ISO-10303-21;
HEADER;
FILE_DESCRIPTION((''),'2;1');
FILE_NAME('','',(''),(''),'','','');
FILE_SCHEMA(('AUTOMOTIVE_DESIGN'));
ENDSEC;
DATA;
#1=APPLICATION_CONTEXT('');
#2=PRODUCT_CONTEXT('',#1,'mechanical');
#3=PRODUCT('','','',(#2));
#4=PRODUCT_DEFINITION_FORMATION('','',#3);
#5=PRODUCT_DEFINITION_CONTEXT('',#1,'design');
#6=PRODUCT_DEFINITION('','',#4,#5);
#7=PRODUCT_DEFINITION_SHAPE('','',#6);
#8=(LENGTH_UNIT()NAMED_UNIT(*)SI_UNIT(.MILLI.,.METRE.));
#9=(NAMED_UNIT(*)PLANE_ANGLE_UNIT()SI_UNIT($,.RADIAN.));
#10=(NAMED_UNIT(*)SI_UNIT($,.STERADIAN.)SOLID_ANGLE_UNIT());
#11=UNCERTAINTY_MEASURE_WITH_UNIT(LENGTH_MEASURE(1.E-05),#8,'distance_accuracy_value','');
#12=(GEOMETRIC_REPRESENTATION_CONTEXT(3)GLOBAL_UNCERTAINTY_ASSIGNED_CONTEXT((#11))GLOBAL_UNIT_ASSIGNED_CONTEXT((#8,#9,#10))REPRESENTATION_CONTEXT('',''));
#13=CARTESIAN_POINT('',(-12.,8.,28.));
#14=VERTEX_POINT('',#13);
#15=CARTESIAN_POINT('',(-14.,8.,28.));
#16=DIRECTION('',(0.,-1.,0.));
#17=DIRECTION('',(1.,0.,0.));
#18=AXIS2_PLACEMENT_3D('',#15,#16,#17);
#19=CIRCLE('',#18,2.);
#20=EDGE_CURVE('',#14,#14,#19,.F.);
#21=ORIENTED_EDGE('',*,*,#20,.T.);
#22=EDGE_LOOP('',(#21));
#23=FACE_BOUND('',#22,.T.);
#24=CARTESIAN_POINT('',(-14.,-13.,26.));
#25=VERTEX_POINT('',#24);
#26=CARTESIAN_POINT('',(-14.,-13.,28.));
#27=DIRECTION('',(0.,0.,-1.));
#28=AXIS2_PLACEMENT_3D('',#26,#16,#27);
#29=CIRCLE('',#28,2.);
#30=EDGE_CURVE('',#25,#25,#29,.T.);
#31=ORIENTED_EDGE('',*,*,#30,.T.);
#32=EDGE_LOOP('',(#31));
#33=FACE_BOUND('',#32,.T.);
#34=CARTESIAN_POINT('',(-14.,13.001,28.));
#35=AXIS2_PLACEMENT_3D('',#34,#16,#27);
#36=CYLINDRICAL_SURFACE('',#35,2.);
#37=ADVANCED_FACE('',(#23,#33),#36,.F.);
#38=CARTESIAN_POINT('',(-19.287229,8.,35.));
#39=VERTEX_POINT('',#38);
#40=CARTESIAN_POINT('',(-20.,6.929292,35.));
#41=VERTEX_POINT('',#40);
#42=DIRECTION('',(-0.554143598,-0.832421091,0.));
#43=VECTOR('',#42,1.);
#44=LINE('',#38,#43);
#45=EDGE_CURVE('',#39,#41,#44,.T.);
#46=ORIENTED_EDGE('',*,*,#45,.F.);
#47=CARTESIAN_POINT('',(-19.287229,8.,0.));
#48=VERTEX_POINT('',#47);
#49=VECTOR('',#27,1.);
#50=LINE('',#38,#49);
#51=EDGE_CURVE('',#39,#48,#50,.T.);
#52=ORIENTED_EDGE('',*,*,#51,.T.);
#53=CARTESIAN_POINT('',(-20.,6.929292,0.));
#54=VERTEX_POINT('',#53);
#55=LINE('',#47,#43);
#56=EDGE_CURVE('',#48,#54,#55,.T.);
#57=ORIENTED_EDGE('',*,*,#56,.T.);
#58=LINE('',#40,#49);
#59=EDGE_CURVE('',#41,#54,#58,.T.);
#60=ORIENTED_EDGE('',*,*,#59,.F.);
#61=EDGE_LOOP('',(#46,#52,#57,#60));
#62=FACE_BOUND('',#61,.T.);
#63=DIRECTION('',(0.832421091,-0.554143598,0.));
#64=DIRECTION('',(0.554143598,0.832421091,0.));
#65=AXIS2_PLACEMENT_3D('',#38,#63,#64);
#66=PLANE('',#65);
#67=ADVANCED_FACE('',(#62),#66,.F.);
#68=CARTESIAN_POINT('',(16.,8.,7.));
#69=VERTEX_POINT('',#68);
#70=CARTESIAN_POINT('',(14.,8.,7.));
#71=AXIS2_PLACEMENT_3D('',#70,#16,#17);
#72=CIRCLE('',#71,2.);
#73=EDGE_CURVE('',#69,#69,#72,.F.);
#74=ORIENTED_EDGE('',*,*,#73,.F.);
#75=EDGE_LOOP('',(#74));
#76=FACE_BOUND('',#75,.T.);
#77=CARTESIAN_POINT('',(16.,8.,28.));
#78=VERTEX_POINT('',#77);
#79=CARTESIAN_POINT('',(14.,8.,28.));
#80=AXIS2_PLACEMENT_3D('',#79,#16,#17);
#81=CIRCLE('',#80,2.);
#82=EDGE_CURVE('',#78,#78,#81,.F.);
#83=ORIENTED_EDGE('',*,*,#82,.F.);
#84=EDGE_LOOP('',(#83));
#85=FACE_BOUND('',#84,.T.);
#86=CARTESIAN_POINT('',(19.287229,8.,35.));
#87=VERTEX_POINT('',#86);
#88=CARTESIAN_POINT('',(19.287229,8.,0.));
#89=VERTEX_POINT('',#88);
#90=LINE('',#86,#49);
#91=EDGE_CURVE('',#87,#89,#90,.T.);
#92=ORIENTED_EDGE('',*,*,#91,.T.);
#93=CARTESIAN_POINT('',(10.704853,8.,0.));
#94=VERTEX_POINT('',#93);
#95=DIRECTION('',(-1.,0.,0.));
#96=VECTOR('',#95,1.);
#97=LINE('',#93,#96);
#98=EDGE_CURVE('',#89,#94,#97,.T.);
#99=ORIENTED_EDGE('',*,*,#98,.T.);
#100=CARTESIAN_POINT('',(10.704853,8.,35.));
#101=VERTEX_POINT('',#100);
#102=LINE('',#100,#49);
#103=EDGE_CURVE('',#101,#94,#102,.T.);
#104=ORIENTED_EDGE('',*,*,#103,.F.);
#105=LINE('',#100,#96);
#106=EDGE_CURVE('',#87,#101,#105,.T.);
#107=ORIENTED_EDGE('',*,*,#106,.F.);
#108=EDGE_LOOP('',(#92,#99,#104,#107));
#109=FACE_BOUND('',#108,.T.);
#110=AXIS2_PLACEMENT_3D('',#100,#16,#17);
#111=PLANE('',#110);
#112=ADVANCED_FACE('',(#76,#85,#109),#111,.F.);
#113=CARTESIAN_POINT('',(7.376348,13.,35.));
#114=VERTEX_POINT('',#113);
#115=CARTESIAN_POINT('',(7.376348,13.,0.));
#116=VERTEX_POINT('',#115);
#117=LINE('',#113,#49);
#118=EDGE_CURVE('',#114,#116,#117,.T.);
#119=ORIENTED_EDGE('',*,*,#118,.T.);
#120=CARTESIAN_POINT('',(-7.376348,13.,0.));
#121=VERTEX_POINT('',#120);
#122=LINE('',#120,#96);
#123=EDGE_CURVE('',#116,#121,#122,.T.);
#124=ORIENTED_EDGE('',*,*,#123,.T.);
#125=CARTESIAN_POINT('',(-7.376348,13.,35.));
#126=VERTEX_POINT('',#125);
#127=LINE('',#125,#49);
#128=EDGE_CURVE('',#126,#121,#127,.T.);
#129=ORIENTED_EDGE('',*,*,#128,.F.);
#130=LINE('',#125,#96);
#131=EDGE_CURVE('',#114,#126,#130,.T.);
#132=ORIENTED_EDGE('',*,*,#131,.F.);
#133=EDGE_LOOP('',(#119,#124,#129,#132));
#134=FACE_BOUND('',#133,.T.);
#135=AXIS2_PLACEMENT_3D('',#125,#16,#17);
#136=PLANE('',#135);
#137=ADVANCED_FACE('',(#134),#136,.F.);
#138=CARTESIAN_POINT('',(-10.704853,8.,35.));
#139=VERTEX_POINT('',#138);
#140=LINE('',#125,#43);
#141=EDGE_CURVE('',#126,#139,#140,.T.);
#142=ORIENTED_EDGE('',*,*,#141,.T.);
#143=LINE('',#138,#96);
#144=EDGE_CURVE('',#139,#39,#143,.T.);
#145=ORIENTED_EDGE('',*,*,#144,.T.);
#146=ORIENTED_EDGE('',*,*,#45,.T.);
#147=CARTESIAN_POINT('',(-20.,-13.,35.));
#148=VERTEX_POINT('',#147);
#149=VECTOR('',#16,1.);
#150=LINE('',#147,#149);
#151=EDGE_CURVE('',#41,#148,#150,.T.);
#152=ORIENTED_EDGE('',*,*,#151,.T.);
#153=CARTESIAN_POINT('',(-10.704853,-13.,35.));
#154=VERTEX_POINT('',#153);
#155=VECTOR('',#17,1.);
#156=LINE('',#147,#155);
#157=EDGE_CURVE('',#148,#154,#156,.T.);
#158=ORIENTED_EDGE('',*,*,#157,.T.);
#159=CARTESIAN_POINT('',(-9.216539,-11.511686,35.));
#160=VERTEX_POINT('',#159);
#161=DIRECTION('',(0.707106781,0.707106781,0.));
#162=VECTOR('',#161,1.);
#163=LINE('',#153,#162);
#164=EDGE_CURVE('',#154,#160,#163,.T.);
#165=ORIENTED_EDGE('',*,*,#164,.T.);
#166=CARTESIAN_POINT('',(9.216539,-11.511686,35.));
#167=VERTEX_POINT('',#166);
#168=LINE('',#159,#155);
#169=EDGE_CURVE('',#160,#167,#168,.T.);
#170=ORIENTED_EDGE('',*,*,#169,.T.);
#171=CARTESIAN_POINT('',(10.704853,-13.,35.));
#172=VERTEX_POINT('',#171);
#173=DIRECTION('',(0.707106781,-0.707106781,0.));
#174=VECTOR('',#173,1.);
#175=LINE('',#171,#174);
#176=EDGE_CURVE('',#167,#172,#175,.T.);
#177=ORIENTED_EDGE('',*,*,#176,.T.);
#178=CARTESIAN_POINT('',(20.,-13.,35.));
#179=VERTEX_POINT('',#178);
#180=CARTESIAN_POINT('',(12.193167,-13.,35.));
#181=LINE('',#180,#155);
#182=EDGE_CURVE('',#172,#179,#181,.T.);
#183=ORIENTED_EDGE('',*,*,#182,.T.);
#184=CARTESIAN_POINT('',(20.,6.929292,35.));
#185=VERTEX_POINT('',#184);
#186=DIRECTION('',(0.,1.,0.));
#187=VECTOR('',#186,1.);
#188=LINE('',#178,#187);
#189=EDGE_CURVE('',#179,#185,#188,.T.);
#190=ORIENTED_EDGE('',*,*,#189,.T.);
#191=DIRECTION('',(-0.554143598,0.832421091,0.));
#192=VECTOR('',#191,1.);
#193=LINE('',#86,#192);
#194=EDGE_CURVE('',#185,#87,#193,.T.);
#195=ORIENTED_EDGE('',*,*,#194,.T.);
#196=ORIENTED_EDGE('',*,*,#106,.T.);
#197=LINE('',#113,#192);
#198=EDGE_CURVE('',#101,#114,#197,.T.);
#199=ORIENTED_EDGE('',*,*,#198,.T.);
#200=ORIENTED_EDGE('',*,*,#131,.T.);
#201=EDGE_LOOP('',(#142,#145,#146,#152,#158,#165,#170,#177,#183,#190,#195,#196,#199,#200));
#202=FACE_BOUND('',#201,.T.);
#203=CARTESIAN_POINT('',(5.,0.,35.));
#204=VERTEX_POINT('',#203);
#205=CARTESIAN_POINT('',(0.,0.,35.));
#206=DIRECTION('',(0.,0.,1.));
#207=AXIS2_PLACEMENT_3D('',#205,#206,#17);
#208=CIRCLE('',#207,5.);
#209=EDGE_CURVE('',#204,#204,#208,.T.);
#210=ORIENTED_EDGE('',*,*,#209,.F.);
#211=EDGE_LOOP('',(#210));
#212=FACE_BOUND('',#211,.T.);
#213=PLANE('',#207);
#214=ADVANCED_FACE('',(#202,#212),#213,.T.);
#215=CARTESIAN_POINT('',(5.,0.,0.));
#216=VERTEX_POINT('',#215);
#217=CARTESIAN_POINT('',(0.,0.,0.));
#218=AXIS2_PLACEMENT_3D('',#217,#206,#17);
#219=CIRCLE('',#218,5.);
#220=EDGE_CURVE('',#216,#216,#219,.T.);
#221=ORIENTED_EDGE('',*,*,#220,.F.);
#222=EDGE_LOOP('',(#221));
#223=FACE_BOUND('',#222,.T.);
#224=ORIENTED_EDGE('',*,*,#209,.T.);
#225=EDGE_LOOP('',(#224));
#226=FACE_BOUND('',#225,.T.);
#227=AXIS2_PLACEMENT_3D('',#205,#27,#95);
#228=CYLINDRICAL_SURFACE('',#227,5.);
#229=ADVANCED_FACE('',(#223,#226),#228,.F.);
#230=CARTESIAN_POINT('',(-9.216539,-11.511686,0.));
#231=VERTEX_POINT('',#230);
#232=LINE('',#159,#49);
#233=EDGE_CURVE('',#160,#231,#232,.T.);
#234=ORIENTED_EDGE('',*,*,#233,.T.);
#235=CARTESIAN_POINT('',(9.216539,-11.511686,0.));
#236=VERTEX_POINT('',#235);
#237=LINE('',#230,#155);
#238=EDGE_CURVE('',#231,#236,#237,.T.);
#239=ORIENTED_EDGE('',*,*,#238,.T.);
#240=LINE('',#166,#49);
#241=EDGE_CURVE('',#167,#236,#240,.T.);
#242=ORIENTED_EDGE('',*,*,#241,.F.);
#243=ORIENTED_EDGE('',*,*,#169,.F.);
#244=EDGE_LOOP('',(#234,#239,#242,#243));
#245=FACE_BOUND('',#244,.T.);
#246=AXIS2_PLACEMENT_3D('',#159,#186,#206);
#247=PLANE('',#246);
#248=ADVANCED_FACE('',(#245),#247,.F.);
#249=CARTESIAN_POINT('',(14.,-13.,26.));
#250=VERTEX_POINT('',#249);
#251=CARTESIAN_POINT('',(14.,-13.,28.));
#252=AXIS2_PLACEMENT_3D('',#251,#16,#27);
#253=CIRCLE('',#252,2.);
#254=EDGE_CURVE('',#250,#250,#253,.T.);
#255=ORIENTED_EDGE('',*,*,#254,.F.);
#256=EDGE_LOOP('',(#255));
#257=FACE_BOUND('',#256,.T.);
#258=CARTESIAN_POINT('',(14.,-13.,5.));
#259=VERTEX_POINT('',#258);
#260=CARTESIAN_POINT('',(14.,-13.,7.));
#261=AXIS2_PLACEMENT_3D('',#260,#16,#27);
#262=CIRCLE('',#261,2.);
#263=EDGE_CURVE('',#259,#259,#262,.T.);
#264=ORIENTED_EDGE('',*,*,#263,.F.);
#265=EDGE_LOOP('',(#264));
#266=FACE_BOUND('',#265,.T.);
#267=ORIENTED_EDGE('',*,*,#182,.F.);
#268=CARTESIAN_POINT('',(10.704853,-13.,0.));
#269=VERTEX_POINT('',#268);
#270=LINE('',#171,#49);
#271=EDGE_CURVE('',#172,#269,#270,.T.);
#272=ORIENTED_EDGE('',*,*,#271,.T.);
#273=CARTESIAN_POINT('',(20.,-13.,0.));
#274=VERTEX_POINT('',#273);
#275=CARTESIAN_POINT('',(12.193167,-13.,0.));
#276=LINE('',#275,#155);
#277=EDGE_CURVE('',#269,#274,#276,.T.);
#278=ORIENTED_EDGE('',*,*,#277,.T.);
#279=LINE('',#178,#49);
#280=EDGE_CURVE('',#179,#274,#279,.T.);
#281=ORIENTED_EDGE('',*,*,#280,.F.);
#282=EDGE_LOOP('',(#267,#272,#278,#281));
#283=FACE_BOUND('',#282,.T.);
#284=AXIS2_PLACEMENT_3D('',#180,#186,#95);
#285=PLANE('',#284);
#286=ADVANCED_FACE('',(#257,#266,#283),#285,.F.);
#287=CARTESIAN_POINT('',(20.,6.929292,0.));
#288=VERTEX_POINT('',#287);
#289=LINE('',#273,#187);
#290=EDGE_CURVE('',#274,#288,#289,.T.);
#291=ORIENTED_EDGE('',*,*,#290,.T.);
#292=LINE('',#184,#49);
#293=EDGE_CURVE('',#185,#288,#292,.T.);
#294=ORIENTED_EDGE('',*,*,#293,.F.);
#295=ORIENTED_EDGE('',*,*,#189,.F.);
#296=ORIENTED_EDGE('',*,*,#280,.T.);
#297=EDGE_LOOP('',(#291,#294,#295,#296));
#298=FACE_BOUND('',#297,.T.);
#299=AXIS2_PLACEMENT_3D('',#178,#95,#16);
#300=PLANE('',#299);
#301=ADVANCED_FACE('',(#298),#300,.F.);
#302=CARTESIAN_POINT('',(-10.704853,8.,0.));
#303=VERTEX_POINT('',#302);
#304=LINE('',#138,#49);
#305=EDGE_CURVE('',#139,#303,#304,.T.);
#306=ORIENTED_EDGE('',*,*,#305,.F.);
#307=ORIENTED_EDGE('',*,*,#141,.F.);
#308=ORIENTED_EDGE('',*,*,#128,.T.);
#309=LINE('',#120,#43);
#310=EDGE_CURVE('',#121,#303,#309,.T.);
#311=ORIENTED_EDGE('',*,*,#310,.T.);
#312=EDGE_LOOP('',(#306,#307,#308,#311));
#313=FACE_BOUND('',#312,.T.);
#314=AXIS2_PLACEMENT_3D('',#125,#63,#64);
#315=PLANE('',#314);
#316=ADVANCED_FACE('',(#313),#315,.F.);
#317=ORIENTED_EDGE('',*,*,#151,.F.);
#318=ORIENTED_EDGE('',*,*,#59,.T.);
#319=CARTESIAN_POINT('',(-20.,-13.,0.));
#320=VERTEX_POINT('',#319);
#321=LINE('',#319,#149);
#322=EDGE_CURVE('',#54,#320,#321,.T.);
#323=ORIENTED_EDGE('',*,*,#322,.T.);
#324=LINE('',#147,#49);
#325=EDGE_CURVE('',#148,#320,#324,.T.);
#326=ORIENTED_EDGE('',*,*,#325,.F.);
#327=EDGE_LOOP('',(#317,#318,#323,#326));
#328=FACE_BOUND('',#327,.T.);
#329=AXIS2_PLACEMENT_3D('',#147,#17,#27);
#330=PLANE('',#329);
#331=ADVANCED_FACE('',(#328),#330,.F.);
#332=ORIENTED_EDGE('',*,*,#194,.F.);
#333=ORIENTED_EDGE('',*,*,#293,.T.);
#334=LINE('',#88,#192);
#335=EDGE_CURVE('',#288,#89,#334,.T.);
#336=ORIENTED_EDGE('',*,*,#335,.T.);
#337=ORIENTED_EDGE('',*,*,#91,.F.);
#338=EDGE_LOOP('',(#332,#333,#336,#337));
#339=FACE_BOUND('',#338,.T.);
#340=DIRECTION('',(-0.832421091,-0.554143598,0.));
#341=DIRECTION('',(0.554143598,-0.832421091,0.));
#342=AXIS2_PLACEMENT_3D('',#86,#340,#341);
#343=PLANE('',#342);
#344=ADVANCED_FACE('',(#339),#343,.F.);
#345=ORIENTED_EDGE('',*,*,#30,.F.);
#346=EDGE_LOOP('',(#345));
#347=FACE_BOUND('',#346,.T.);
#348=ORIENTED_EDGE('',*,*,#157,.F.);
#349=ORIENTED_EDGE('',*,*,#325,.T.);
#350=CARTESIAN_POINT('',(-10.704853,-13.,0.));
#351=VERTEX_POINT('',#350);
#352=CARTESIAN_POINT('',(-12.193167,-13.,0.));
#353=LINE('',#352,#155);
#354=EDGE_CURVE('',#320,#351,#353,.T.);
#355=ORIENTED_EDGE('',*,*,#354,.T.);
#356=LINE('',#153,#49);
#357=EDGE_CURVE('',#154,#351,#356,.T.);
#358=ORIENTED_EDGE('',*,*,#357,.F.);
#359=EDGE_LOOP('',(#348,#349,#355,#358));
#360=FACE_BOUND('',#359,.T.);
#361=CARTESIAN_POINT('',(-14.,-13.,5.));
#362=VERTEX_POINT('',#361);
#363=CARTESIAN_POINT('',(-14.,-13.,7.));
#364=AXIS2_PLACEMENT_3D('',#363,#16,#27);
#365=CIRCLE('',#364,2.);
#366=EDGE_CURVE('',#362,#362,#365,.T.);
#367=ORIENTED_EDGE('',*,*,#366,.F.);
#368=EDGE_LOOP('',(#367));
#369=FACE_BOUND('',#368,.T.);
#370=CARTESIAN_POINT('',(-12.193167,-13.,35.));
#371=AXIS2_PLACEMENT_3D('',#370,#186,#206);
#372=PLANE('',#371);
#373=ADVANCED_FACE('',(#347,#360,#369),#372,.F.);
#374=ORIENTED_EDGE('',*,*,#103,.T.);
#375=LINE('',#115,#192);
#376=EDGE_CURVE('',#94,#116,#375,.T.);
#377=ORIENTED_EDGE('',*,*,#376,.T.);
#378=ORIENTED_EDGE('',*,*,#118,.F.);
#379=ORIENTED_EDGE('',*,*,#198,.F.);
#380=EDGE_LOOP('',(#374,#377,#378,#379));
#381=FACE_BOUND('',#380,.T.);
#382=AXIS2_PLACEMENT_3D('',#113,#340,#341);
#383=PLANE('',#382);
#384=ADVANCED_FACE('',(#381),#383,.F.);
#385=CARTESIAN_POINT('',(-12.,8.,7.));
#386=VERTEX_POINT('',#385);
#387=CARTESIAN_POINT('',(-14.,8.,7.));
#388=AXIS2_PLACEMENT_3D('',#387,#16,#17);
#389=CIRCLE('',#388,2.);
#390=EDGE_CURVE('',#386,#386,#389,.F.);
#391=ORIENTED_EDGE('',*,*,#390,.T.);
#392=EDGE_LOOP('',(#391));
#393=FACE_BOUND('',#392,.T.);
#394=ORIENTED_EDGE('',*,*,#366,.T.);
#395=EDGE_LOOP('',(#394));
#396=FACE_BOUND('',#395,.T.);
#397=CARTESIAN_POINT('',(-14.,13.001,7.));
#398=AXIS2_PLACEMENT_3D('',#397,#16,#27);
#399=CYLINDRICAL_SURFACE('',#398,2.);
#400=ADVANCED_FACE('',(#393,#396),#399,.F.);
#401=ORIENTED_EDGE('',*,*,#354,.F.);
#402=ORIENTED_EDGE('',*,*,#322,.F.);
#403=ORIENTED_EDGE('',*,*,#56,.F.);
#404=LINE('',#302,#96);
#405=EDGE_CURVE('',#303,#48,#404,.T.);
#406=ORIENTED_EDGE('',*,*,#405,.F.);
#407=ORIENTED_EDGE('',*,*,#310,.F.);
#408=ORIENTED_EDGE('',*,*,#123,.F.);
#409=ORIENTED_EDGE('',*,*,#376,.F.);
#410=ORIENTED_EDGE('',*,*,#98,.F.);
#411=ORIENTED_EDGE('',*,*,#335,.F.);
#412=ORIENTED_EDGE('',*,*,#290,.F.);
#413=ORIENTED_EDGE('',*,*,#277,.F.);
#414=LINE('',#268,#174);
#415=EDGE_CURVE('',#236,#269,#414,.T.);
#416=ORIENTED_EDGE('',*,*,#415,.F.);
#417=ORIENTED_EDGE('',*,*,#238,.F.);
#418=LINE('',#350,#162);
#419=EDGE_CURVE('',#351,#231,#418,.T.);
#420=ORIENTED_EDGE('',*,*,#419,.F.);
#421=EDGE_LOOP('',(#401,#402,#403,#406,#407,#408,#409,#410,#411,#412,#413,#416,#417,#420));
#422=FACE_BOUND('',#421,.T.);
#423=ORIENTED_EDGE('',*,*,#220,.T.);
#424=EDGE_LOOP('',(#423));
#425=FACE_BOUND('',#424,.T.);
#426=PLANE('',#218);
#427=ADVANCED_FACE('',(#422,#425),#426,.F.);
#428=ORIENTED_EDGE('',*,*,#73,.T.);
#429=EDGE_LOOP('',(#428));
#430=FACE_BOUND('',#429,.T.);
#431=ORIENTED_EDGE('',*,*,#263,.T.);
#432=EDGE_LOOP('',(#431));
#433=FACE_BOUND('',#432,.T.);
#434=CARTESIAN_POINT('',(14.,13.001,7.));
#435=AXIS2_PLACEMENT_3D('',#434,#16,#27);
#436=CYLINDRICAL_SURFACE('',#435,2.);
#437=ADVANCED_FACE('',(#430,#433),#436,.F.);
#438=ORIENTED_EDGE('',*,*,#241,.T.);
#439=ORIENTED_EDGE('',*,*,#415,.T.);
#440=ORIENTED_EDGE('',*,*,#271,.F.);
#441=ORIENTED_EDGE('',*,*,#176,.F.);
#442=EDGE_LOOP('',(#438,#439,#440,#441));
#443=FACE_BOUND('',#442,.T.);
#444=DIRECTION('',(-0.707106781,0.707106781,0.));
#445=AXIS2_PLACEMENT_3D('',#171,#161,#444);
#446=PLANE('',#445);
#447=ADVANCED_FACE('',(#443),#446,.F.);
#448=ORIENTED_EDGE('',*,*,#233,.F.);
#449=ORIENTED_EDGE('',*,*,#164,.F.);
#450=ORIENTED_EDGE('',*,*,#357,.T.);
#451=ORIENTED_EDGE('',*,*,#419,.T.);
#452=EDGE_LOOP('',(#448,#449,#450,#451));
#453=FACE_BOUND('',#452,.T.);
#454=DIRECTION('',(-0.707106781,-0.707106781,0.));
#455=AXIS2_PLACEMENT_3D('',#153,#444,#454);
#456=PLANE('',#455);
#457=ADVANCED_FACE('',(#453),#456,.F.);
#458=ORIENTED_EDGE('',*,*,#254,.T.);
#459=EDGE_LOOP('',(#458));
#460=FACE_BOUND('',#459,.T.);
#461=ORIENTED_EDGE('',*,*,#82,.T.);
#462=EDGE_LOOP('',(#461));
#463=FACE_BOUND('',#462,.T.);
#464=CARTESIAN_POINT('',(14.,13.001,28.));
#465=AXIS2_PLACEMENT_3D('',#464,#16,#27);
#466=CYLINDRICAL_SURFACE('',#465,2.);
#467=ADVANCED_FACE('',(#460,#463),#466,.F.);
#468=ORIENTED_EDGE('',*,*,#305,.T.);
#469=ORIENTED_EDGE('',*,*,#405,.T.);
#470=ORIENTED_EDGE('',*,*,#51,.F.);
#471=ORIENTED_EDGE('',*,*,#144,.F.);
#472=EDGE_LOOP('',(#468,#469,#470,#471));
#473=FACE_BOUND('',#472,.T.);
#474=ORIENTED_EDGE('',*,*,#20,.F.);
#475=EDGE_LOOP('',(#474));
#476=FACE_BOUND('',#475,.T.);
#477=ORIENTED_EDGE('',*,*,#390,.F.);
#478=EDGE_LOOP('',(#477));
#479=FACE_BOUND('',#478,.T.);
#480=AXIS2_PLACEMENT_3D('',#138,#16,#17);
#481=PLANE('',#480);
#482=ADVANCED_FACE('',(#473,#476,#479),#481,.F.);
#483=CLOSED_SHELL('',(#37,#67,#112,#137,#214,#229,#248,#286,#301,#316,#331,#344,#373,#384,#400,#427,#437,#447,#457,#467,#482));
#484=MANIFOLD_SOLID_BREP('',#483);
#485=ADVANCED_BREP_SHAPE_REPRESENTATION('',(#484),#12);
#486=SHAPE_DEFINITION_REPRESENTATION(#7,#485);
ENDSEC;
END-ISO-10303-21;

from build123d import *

# Parameters (mm, degrees)
SKETCH1_R           = 5
BOSS_EXTRUDE1_DEPTH = 35
CUT_EXTRUDE1_REACH  = 28
SKETCH2_R           = 2


with BuildPart() as part:
    # Sketch1 → Boss-Extrude1 (new body)
    with BuildSketch(Plane.XY):
        Polygon((-7.376347734, 13), (-10.704853009, 8), (-19.287228785, 8), (-20, 6.929292346), (-20, -13), (-12.193167268, -13), (-10.704853009, -13), (-9.216538749, -11.511685741), (9.216538749, -11.511685741), (10.704853009, -13), (12.193167268, -13), (20, -13), (20, 6.929292346), (19.287228785, 8), (10.704853009, 8), (7.376347734, 13), align=None)
        Circle(SKETCH1_R, mode=Mode.SUBTRACT)
    extrude(amount=BOSS_EXTRUDE1_DEPTH)

    # Sketch2 → Cut-Extrude1 (cut, up to next)
    with BuildSketch(Plane.XZ.offset(13), mode=Mode.PRIVATE) as cut_extrude1_sk1:
        with Locations((-14, 28)):
            Circle(SKETCH2_R)
    cut_extrude1_tool1 = extrude(cut_extrude1_sk1.sketch, amount=-CUT_EXTRUDE1_REACH, mode=Mode.PRIVATE) & part.part
    add(cut_extrude1_tool1.solids().sort_by_distance((-14, -13, 28))[0], mode=Mode.SUBTRACT)
    # Sketch2 → Cut-Extrude1 (cut, up to next)
    with BuildSketch(Plane.XZ.offset(13), mode=Mode.PRIVATE) as cut_extrude1_sk2:
        with Locations((14, 28)):
            Circle(SKETCH2_R)
    cut_extrude1_tool2 = extrude(cut_extrude1_sk2.sketch, amount=-CUT_EXTRUDE1_REACH, mode=Mode.PRIVATE) & part.part
    add(cut_extrude1_tool2.solids().sort_by_distance((14, -13, 28))[0], mode=Mode.SUBTRACT)
    # Sketch2 → Cut-Extrude1 (cut, up to next)
    with BuildSketch(Plane.XZ.offset(13), mode=Mode.PRIVATE) as cut_extrude1_sk3:
        with Locations((14, 7)):
            Circle(SKETCH2_R)
    cut_extrude1_tool3 = extrude(cut_extrude1_sk3.sketch, amount=-CUT_EXTRUDE1_REACH, mode=Mode.PRIVATE) & part.part
    add(cut_extrude1_tool3.solids().sort_by_distance((14, -13, 7))[0], mode=Mode.SUBTRACT)
    # Sketch2 → Cut-Extrude1 (cut, up to next)
    with BuildSketch(Plane.XZ.offset(13), mode=Mode.PRIVATE) as cut_extrude1_sk4:
        with Locations((-14, 7)):
            Circle(SKETCH2_R)
    cut_extrude1_tool4 = extrude(cut_extrude1_sk4.sketch, amount=-CUT_EXTRUDE1_REACH, mode=Mode.PRIVATE) & part.part
    add(cut_extrude1_tool4.solids().sort_by_distance((-14, -13, 7))[0], mode=Mode.SUBTRACT)


solid = part.part
